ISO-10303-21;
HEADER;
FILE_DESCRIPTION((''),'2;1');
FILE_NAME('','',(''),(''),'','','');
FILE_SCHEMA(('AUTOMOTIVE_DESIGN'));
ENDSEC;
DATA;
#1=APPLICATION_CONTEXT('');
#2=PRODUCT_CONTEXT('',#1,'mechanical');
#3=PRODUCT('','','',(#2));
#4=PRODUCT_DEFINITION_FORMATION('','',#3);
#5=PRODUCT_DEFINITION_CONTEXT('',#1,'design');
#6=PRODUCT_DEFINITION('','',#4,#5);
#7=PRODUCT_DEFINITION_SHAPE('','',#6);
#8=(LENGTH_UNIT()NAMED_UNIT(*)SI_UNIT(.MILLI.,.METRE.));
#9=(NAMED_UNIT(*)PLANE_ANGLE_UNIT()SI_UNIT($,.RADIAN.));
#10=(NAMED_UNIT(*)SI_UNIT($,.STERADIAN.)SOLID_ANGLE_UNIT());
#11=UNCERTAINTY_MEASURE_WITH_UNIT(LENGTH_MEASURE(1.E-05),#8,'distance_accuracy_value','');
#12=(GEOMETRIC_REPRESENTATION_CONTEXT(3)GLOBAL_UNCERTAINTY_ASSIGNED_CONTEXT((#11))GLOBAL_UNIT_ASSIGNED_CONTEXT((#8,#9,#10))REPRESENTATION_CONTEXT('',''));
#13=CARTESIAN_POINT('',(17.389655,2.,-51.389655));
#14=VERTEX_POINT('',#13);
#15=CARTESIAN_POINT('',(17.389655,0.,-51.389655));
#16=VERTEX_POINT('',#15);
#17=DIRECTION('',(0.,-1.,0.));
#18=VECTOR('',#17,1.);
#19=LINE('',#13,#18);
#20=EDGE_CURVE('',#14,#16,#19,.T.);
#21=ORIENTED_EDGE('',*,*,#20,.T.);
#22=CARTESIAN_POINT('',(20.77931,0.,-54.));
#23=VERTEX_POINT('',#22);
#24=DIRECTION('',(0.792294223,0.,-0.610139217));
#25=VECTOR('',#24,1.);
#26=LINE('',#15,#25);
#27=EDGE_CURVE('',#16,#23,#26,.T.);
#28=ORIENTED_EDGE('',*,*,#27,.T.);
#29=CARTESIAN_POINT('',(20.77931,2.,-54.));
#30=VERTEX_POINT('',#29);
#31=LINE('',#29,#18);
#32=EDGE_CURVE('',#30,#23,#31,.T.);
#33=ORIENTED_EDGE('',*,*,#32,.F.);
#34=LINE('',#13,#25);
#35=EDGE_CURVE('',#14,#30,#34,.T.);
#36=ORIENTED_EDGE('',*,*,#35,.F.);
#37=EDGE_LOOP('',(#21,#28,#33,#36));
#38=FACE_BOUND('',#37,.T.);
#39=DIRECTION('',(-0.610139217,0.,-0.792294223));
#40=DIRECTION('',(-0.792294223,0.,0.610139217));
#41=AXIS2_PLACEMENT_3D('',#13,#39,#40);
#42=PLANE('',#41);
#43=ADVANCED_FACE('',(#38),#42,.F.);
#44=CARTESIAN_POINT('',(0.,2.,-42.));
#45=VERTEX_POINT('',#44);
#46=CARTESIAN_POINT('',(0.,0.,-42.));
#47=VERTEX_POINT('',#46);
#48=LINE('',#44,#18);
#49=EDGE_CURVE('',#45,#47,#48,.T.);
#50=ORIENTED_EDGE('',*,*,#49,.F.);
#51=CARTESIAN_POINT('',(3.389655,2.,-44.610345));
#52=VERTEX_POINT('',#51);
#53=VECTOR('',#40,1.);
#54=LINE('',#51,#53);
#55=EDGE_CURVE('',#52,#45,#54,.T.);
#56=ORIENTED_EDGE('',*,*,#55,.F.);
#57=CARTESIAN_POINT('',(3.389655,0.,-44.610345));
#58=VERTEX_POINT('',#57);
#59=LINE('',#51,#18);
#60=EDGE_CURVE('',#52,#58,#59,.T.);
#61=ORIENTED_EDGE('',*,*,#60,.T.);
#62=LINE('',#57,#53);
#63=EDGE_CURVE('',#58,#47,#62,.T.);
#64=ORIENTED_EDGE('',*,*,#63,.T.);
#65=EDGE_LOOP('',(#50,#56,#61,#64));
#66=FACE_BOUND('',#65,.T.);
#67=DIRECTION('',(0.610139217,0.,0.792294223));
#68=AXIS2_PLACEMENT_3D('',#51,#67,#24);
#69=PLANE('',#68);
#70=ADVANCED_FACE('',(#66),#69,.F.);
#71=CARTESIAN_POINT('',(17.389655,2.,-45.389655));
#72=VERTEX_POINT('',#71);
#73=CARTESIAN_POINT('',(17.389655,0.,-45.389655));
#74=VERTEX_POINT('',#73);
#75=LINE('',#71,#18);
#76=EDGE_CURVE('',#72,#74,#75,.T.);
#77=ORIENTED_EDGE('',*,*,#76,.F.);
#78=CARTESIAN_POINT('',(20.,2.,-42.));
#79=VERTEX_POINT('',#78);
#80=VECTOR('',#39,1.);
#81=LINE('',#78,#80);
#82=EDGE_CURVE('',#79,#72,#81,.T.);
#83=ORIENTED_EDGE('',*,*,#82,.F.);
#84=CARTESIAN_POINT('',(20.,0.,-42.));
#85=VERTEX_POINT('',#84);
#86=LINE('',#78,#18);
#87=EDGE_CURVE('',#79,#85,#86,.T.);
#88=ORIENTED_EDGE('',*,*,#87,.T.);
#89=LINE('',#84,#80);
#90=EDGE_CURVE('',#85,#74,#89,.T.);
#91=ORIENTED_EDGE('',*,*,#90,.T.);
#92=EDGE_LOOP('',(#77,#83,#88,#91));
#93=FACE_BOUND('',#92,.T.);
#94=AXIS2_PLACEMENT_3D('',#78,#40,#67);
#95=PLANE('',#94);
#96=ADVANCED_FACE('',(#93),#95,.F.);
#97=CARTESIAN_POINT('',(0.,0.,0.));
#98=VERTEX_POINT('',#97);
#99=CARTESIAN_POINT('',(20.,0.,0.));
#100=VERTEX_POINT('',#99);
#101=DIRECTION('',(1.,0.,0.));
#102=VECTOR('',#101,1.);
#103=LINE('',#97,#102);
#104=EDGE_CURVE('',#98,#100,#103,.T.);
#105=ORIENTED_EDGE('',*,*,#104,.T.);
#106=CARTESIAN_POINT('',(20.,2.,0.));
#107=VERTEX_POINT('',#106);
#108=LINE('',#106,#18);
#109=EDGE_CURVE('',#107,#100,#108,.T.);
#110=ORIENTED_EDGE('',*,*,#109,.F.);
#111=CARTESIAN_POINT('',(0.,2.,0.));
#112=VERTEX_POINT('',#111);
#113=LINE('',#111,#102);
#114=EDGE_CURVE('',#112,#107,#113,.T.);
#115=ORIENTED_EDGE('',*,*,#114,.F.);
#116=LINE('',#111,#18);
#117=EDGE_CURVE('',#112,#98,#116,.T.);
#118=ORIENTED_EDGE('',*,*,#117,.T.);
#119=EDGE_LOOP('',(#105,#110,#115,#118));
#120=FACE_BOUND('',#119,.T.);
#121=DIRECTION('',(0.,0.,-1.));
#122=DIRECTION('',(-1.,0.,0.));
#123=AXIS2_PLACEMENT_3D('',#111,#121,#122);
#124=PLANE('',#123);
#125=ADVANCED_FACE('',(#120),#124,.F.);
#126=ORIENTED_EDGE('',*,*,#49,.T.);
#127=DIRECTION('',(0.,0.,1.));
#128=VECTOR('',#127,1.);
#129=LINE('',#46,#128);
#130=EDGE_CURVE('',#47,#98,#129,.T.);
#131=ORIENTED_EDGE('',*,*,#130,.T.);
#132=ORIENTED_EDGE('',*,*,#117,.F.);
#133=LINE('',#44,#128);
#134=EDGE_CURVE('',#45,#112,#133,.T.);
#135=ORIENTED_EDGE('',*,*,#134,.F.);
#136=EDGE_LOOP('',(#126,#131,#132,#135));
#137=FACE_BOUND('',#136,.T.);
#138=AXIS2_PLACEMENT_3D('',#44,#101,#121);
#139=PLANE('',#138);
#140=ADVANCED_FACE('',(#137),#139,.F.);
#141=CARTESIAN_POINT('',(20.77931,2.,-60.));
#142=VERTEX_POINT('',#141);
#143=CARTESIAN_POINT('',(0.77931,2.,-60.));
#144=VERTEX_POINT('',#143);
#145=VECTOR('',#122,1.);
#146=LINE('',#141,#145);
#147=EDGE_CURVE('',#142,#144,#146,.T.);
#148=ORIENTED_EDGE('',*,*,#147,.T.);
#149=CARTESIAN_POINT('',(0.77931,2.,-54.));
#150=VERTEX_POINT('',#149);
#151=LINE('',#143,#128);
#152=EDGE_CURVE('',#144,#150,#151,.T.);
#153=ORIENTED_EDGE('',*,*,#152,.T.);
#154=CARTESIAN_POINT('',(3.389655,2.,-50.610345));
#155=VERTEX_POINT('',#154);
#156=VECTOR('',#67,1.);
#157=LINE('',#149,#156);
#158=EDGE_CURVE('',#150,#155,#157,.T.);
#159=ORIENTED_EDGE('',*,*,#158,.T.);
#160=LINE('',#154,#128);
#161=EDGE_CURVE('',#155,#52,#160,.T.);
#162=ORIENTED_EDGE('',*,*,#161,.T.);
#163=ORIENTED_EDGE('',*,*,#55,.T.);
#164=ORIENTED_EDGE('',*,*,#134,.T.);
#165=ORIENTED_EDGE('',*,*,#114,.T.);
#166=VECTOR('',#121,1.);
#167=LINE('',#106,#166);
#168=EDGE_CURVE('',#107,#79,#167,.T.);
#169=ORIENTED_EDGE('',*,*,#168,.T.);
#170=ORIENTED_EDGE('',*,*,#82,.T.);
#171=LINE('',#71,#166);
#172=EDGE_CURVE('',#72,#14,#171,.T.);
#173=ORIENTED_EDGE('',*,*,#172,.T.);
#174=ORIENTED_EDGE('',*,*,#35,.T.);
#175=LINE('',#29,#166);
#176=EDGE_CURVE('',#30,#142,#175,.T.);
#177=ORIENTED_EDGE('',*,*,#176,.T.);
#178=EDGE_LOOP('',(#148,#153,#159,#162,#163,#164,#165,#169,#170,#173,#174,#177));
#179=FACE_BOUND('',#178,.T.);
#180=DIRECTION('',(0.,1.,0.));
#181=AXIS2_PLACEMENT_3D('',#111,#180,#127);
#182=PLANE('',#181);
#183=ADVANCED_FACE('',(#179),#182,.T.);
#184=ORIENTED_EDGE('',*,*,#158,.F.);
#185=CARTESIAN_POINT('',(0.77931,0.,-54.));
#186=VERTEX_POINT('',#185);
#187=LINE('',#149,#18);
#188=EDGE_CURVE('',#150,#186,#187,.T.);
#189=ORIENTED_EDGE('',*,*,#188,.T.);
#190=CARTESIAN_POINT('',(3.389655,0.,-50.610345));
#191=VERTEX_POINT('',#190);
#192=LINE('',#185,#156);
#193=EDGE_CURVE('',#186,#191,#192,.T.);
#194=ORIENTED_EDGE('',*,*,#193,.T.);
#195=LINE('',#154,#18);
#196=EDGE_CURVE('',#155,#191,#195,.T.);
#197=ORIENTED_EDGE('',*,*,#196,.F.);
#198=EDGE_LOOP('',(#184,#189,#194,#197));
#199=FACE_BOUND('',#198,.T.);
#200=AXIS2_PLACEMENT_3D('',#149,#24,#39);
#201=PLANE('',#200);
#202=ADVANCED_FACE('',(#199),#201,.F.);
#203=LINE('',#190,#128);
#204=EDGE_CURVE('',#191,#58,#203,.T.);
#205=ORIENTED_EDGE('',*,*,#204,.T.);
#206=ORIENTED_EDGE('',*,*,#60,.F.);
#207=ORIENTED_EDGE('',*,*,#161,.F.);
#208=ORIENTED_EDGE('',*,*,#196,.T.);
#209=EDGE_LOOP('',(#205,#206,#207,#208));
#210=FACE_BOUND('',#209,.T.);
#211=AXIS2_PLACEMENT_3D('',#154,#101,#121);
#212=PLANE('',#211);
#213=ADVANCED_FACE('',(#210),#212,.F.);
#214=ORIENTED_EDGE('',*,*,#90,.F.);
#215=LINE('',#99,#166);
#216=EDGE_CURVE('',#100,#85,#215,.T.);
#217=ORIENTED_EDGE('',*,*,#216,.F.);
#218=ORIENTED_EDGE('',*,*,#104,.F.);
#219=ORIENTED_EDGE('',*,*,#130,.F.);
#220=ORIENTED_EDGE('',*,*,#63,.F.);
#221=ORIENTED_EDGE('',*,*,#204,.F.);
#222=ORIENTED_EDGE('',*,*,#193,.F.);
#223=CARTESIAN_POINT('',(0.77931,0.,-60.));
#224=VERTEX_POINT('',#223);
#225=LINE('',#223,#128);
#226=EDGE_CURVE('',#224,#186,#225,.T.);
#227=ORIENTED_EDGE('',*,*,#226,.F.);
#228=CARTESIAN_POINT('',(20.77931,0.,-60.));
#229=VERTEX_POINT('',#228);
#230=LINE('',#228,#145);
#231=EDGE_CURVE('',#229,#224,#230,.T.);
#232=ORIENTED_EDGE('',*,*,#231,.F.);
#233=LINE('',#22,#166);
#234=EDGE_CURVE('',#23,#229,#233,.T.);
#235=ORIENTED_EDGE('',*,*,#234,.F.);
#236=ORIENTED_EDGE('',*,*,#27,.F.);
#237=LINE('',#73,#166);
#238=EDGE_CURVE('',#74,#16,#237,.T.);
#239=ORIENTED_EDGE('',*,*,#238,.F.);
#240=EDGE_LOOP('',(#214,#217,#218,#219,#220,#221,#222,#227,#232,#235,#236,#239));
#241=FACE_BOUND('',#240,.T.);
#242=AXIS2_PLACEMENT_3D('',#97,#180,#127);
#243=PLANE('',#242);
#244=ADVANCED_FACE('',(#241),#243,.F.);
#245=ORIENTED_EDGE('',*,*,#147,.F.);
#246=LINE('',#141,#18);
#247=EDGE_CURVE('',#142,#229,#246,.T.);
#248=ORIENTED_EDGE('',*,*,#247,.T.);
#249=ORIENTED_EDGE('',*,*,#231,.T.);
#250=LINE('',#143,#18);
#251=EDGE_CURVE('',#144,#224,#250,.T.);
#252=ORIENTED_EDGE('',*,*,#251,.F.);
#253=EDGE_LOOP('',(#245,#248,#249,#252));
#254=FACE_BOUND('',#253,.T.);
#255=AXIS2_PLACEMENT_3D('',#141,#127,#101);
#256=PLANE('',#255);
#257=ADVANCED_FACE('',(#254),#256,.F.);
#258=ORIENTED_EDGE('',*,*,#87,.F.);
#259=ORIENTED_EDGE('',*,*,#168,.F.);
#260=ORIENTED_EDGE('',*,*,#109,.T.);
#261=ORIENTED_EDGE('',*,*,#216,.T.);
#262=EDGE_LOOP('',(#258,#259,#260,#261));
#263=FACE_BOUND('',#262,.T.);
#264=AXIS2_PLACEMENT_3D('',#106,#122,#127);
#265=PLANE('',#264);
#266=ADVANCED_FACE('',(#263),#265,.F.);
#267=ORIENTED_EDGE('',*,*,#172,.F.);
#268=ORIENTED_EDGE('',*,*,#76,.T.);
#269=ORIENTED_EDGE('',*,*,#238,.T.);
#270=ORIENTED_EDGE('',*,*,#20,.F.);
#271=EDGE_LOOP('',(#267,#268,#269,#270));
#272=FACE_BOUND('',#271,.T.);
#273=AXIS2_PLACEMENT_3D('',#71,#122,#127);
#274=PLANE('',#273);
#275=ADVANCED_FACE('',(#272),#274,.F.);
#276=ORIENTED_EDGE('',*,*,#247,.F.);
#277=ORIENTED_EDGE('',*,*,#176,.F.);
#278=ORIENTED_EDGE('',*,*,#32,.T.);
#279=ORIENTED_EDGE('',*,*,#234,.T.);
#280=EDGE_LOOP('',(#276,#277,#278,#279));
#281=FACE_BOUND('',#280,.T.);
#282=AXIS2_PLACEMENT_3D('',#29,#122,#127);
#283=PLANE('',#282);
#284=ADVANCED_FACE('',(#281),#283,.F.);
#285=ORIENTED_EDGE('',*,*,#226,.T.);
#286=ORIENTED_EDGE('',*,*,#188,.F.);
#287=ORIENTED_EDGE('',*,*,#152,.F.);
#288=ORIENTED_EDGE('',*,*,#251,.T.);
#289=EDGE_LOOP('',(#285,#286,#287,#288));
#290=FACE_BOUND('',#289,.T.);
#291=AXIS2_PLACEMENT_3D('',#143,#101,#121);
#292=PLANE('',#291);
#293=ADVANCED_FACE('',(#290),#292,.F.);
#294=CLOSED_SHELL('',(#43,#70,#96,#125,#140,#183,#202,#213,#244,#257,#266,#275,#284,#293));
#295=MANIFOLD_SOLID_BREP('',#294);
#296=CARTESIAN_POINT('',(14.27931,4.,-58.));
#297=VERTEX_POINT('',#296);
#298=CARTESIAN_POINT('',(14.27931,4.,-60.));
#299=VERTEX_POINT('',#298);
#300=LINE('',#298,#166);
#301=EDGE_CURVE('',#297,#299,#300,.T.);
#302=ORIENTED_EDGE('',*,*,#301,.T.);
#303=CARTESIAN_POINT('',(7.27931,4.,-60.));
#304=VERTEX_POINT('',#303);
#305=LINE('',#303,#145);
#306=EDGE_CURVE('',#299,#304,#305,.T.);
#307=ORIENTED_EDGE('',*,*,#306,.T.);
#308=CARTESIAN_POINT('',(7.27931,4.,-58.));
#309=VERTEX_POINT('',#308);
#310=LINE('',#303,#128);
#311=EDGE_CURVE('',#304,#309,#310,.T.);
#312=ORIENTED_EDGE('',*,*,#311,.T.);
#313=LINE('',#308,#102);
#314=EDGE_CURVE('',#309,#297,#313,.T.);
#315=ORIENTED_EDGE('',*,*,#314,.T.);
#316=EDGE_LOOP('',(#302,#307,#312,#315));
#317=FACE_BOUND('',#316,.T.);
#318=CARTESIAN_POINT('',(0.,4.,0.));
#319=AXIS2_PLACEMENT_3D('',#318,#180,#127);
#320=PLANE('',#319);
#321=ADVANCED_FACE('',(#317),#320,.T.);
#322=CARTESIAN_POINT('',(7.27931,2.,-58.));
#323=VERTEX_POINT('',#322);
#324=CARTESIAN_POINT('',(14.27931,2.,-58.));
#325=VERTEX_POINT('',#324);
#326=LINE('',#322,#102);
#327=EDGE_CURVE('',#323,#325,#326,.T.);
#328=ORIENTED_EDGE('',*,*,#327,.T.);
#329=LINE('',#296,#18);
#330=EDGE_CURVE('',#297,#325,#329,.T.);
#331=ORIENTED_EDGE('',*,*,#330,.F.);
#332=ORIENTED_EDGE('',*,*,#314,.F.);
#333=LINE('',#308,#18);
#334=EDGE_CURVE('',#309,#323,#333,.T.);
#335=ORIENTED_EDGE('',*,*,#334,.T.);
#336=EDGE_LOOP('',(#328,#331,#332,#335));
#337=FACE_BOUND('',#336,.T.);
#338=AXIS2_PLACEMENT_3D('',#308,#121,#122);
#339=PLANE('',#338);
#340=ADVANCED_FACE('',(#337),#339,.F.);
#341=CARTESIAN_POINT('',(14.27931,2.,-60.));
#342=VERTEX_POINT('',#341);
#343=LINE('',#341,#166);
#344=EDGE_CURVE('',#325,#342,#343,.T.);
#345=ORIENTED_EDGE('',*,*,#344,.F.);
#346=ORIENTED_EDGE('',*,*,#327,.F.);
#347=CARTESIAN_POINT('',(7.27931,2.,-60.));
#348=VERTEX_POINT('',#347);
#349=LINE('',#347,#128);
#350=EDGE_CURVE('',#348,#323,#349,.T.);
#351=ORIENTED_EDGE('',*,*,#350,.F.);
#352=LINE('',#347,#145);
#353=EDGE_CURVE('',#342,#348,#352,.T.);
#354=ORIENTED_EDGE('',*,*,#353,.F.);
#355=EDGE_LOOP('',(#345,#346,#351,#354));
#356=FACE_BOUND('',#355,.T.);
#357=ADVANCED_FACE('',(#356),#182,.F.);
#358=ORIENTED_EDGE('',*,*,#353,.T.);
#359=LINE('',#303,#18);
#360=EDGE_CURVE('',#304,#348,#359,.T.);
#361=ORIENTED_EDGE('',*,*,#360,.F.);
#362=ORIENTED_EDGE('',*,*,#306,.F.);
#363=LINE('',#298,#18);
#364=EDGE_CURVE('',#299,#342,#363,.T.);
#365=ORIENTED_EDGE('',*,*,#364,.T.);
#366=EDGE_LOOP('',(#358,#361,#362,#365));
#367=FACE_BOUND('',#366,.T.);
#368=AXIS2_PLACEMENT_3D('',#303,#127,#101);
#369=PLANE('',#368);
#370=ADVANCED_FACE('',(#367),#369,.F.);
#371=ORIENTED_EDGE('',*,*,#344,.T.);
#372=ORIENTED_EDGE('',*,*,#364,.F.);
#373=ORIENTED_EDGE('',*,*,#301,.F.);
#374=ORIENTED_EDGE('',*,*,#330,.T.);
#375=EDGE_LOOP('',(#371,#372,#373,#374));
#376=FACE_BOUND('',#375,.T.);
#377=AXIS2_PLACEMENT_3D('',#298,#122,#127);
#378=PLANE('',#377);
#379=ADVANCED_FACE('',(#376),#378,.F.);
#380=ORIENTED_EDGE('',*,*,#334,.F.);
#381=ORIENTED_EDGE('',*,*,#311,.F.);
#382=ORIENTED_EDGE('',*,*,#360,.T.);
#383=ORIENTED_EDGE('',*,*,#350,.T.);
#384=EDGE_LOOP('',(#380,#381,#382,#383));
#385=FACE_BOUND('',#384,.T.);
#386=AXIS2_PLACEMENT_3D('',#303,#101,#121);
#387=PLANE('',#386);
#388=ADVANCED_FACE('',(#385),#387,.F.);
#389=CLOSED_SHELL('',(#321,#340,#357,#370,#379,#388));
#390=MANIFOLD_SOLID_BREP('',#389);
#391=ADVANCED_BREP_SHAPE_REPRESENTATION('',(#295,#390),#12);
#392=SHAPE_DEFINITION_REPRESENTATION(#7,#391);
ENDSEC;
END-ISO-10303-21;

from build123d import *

# Parameters (mm, degrees)
BOSS_EXTRUDE1_DEPTH = 2
SKETCH2_W           = 7
SKETCH2_H           = 2
BOSS_EXTRUDE2_DEPTH = 2


with BuildPart() as part:
    # Sketch1 → Boss-Extrude1 (new body)
    with BuildSketch(Plane(origin=(0, 0, 0), x_dir=(1, 0, 0), z_dir=(0, 1, 0))):
        Polygon((0.77930974, 60), (0.77930974, 54), (3.38965487, 50.61034513), (3.38965487, 44.61034513), (0, 42), (0, 0), (20, 0), (20, 42), (17.38965487, 45.38965487), (17.38965487, 51.38965487), (20.77930974, 54), (20.77930974, 60), align=None)
    extrude(amount=BOSS_EXTRUDE1_DEPTH)


with BuildPart() as body_2:
    # Sketch2 → Boss-Extrude2 (new body)
    with BuildSketch(Plane(origin=(0, 2, 0), x_dir=(1, 0, 0), z_dir=(0, 1, 0))):
        with Locations((10.77930974, 59)):
            Rectangle(SKETCH2_W, SKETCH2_H)
    extrude(amount=BOSS_EXTRUDE2_DEPTH)


solid = Compound([part.part, body_2.part])
